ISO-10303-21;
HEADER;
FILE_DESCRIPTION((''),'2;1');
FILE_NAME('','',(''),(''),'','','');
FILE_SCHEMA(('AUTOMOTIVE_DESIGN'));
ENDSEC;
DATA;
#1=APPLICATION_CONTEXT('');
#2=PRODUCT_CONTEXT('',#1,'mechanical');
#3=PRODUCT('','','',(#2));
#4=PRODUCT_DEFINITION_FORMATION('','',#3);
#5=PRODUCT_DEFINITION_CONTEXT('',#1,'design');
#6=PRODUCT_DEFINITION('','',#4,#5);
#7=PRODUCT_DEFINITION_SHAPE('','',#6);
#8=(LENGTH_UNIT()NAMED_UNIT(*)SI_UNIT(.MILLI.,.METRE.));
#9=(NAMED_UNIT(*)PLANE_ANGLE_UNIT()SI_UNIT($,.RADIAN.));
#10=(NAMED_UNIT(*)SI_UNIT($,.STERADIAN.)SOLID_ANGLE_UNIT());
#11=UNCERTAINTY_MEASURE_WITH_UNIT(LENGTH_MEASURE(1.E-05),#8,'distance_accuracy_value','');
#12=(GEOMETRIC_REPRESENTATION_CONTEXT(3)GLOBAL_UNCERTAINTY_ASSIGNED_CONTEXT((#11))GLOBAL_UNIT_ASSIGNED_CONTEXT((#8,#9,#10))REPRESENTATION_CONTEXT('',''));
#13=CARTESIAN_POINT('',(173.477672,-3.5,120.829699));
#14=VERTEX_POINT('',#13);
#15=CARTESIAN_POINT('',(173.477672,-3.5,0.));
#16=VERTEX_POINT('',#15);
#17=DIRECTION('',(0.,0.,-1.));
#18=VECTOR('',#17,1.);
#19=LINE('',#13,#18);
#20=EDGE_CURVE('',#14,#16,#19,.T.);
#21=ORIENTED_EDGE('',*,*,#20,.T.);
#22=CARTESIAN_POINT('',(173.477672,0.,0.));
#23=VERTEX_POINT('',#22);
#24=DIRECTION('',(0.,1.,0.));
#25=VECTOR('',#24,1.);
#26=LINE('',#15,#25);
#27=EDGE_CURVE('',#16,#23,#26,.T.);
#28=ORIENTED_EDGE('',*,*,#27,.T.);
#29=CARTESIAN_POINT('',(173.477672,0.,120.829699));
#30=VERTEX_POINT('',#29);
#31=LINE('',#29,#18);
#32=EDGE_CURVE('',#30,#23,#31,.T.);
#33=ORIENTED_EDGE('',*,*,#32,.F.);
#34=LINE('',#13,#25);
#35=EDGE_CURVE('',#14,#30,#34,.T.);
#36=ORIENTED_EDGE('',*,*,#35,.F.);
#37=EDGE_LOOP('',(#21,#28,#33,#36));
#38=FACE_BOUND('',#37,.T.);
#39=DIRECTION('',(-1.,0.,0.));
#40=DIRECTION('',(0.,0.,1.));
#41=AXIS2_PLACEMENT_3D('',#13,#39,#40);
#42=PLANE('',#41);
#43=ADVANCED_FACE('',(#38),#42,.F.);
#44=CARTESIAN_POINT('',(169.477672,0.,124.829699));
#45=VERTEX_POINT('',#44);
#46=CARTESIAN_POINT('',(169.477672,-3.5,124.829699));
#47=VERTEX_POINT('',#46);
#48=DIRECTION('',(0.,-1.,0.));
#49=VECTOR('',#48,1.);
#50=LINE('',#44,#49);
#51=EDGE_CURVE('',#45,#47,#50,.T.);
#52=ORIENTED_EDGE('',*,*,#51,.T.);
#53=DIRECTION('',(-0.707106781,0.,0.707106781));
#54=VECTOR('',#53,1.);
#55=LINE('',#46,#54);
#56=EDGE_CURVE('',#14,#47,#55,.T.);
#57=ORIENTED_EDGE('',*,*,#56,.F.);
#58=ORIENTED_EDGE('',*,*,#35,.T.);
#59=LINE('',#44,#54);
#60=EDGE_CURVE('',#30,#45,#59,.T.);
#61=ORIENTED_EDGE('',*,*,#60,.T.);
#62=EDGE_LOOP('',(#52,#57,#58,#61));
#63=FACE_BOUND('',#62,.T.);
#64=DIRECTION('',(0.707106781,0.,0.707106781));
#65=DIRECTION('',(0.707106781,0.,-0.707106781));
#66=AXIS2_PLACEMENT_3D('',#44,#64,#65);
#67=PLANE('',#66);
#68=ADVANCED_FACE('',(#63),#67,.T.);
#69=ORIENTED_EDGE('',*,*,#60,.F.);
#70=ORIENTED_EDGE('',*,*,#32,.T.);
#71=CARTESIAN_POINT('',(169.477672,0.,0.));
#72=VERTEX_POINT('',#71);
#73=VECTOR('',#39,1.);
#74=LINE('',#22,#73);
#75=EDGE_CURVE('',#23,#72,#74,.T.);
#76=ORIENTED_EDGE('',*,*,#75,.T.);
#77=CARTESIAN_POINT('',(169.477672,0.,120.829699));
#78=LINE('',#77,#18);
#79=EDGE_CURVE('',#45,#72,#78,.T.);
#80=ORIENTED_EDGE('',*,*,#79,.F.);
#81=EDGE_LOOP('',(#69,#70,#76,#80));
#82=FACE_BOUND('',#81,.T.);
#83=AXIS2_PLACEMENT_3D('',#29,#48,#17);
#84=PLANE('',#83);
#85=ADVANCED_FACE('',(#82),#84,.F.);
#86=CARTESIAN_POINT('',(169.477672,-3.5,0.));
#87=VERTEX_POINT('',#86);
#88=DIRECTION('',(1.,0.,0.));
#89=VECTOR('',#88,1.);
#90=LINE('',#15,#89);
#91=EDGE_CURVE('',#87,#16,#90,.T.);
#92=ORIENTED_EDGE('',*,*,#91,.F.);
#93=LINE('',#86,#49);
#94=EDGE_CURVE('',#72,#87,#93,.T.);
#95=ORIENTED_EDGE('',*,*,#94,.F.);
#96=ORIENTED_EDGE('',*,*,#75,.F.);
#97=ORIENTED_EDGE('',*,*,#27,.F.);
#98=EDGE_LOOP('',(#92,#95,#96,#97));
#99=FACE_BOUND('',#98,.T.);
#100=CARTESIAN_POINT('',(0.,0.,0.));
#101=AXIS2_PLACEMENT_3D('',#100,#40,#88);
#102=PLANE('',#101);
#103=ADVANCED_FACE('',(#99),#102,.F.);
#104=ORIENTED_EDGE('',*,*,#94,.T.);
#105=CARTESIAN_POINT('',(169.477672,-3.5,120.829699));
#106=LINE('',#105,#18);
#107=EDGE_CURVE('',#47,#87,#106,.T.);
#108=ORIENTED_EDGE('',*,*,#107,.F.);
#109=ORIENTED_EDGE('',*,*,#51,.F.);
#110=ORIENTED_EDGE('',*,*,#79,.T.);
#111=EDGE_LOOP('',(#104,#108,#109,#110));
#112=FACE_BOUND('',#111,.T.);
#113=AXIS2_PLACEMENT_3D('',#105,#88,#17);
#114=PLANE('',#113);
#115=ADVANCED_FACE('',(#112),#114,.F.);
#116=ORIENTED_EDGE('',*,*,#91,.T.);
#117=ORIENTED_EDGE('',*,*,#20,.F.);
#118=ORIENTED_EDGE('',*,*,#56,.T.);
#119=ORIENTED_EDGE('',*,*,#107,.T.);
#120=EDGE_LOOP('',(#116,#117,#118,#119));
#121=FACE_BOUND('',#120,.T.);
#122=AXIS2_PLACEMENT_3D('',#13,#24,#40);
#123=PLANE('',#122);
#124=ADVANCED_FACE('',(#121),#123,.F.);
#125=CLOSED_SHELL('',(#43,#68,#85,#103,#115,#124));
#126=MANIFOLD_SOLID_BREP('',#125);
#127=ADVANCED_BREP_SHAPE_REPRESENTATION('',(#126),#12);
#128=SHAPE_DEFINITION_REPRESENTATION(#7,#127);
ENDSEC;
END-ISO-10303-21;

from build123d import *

# Parameters (mm, degrees)
CROQUIS1_W              = 4
CROQUIS1_H              = 3.5
SALIENTE_EXTRUIR1_DEPTH = 120.829699
SALIENTE_EXTRUIR2_DEPTH = 3.5


with BuildPart() as part:
    # Croquis1 → Saliente-Extruir1 (new body)
    with BuildSketch(Plane.XY):
        with Locations((171.47767153, -1.75)):
            Rectangle(CROQUIS1_W, CROQUIS1_H)
    extrude(amount=SALIENTE_EXTRUIR1_DEPTH)


with BuildPart() as saliente_extruir2_tool:
    # Croquis2 → Saliente-Extruir2 (new body)
    with BuildSketch(Plane.XZ.offset(3.5)):
        Polygon((169.47767153, 120.82969947), (169.47767153, 124.82969947), (173.47767153, 120.82969947), align=None)
    extrude(amount=-SALIENTE_EXTRUIR2_DEPTH)


with BuildPart() as part_1:
    add(part.part)


with BuildPart() as part_2:
    # Saliente-Extruir2: joined with saliente_extruir2_tool
    add(part_1.part.fuse(saliente_extruir2_tool.part, tol=0.00001))


solid = part_2.part
